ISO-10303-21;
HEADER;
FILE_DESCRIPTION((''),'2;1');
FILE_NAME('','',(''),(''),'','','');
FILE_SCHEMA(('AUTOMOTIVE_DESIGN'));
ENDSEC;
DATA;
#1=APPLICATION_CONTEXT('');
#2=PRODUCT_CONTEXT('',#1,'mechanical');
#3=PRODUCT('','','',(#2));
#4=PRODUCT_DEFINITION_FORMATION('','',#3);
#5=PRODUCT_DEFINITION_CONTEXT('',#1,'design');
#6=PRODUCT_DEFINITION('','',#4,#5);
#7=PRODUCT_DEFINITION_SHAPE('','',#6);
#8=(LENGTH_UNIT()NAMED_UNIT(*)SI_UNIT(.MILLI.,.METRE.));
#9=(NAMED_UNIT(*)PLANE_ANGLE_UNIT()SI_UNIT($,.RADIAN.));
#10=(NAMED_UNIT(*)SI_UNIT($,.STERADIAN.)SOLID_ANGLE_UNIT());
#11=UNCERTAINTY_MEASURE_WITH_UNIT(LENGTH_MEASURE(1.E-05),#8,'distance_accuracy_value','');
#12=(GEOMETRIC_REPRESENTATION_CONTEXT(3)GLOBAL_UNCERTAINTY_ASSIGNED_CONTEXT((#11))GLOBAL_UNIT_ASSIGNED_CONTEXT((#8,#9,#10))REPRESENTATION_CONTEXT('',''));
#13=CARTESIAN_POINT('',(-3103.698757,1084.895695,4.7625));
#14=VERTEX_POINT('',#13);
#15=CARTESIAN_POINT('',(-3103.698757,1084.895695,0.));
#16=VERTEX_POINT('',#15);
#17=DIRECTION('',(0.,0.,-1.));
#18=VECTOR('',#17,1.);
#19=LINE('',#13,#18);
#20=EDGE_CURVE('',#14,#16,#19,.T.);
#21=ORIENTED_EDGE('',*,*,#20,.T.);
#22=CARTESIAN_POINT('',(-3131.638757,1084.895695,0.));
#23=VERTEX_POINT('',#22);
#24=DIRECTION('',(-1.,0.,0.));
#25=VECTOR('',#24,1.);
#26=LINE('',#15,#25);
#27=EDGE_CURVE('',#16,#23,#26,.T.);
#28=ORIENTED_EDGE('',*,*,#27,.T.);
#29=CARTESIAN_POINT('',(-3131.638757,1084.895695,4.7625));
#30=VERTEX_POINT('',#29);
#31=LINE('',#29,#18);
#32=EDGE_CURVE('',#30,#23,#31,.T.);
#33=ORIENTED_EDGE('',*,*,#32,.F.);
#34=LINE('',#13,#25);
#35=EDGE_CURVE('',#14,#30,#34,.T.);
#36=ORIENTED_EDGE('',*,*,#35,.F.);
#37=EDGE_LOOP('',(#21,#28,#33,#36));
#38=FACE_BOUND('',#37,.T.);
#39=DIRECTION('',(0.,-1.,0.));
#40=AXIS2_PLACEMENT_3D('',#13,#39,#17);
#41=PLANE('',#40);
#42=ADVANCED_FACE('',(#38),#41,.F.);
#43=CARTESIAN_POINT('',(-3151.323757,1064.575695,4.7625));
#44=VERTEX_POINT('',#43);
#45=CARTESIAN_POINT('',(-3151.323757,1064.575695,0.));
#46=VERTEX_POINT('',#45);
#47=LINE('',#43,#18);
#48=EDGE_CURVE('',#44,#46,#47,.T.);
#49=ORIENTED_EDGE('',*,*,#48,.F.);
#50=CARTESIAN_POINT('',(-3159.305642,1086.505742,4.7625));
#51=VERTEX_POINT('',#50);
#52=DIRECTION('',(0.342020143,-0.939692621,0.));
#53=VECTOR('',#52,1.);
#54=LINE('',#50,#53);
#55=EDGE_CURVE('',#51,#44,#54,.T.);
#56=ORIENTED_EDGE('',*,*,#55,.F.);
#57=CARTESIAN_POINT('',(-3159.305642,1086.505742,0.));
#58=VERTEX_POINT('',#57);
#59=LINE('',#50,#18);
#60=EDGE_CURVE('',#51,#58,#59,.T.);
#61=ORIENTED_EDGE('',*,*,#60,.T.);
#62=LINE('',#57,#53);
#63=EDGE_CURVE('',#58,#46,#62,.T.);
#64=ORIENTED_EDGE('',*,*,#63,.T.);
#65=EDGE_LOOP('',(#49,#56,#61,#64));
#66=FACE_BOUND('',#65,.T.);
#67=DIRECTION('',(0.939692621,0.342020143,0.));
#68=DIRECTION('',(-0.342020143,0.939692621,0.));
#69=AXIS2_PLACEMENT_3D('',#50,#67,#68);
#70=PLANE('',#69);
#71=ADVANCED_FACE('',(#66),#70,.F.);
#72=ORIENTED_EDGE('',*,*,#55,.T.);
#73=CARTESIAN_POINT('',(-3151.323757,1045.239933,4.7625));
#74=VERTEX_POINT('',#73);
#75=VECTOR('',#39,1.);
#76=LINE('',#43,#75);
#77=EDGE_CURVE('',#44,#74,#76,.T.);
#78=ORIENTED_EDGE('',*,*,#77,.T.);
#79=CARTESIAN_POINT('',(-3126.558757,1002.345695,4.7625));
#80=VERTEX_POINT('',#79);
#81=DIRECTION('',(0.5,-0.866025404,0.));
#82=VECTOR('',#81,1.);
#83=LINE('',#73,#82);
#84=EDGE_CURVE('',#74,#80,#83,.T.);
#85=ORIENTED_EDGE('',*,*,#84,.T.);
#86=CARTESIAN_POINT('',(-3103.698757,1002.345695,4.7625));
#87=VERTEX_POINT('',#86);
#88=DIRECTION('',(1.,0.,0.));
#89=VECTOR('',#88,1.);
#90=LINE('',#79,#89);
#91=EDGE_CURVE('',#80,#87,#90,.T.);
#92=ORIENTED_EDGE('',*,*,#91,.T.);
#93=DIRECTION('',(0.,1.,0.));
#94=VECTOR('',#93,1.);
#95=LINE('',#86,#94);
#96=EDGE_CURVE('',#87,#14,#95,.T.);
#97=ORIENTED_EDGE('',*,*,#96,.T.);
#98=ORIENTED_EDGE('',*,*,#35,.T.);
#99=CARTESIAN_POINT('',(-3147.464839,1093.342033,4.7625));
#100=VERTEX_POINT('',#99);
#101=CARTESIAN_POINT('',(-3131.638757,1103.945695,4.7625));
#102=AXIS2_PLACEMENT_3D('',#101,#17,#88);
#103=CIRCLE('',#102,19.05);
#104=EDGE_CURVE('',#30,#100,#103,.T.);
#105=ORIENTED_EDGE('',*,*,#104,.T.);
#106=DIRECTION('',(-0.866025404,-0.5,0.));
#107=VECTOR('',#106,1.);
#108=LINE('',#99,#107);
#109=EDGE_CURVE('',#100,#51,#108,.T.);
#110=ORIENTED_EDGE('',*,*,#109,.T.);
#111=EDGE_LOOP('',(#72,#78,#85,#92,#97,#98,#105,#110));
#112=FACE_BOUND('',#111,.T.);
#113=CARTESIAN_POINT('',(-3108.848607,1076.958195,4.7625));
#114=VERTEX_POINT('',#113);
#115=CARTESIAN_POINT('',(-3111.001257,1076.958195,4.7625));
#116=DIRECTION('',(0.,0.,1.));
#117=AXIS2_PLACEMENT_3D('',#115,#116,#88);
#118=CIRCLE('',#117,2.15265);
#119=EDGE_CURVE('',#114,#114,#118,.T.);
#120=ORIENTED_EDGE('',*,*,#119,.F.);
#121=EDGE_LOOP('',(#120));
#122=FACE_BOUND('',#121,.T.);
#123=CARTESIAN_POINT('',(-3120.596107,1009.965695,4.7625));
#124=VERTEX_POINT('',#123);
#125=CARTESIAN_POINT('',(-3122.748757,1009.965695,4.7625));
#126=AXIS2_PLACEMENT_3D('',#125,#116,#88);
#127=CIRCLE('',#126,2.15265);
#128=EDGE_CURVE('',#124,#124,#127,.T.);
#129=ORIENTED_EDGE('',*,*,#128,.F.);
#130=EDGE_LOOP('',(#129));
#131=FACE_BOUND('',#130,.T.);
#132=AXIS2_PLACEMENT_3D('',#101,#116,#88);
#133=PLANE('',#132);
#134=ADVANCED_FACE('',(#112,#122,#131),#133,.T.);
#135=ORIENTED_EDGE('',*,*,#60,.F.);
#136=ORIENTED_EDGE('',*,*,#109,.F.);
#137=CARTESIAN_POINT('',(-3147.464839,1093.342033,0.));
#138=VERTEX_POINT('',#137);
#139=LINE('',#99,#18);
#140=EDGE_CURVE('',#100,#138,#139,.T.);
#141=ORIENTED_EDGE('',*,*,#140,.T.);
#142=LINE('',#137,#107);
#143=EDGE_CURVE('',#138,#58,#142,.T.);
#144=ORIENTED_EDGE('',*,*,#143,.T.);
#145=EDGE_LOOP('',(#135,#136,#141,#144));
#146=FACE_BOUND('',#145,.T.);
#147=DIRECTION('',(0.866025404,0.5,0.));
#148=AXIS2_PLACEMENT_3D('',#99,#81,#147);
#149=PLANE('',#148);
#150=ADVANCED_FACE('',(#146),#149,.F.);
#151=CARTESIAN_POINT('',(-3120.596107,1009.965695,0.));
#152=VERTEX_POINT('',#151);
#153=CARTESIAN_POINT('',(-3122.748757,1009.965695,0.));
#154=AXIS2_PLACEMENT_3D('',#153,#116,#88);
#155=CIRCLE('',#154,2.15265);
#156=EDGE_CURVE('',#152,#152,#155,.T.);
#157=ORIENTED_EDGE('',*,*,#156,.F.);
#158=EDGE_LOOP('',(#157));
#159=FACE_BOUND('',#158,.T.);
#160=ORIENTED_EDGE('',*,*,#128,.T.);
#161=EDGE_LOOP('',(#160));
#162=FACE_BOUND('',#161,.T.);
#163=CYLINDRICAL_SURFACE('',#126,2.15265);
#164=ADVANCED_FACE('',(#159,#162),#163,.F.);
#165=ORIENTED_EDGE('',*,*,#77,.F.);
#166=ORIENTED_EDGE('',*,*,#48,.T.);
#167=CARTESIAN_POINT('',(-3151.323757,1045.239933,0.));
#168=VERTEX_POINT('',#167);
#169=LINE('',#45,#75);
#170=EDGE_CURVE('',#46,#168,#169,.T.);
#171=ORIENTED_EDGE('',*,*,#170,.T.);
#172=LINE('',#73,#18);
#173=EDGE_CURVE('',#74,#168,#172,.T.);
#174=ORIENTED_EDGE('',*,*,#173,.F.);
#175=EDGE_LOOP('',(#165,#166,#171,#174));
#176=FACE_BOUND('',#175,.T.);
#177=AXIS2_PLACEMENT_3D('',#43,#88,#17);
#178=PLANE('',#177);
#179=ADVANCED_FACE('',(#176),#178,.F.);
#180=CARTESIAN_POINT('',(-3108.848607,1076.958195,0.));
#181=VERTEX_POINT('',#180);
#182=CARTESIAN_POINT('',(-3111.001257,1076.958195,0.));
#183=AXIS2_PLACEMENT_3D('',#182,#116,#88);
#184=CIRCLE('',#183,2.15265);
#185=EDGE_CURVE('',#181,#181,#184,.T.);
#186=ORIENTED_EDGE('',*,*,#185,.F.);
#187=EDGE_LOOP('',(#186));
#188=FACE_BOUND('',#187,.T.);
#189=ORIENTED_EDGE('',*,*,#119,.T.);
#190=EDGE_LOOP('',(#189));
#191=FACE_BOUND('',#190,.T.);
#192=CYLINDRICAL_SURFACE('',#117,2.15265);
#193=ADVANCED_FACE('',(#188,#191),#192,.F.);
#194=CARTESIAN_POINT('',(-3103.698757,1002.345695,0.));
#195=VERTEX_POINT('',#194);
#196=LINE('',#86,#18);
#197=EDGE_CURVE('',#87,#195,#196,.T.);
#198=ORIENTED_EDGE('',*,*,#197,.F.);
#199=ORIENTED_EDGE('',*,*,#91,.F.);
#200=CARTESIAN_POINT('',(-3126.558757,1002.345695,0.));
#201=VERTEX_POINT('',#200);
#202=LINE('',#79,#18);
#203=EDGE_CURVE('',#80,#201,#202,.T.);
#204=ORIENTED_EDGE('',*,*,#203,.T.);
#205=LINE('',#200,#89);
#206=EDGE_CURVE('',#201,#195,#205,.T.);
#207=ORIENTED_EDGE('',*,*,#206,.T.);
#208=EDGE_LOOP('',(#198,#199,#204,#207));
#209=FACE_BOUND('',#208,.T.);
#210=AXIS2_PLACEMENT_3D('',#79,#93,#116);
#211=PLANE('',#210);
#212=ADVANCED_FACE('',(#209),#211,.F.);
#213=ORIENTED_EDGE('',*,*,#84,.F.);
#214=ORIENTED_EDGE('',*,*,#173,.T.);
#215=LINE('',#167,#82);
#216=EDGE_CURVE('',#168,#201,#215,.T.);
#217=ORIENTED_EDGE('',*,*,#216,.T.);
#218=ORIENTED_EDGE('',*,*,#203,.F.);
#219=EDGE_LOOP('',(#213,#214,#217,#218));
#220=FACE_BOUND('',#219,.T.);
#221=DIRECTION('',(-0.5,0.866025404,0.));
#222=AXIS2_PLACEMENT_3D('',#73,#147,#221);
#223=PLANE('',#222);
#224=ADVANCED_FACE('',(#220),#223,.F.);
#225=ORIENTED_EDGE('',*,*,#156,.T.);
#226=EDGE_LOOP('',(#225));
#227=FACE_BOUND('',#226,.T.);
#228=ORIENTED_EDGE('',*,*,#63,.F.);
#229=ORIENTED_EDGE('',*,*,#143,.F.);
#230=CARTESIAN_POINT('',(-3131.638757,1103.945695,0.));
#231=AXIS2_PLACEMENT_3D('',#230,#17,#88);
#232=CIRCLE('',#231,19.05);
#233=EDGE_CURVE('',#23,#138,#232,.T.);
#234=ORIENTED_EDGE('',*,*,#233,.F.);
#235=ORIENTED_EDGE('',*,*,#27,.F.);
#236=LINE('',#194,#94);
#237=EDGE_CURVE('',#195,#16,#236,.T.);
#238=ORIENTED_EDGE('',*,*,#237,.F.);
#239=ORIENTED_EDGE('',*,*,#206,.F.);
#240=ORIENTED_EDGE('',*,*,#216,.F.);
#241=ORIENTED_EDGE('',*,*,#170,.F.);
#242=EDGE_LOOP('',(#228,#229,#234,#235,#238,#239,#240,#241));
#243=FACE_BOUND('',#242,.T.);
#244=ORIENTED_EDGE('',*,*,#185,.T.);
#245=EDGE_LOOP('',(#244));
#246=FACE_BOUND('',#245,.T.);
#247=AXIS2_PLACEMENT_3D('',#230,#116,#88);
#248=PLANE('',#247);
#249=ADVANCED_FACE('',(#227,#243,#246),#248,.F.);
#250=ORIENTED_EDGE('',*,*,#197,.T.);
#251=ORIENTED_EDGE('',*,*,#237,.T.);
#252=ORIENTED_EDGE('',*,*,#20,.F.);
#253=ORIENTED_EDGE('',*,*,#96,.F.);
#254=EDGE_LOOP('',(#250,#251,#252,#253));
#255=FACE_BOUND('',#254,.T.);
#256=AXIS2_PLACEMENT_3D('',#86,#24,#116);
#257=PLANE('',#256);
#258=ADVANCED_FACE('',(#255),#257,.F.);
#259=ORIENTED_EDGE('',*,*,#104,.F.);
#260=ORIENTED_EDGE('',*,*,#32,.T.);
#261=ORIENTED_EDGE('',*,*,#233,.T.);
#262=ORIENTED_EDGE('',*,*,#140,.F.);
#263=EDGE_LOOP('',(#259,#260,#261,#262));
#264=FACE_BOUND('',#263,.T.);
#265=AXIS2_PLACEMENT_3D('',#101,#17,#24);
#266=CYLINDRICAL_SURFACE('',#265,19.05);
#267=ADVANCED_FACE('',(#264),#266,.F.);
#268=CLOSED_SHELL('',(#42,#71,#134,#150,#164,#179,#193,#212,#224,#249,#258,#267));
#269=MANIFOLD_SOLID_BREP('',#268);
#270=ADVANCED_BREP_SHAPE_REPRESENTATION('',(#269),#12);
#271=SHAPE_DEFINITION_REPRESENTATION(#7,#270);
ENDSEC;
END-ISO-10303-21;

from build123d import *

# Parameters (mm, degrees)
BOSS_EXTRUDE1_DEPTH   = 4.7625
F_6_CLEARANCE_HOLE1_D = 4.3053


with BuildPart() as part:
    # Sketch1 → Boss-Extrude1 (new body)
    with BuildSketch(Plane.XY):
        with BuildLine():
            Line((-3103.698757178, 1002.345694712), (-3103.698757178, 1084.895694712))
            Line((-3103.698757178, 1084.895694712), (-3131.638757178, 1084.895694712))
            ThreePointArc((-3131.638757178, 1084.895694712), (-3140.608225903, 1087.139412233), (-3147.464838552, 1093.342032687))
            Line((-3147.464838552, 1093.342032687), (-3159.30564158, 1086.505741871))
            Line((-3159.30564158, 1086.505741871), (-3151.323757178, 1064.575694712))
            Line((-3151.323757178, 1064.575694712), (-3151.323757178, 1045.239932962))
            Line((-3151.323757178, 1045.239932962), (-3126.558757178, 1002.345694712))
            Line((-3126.558757178, 1002.345694712), (-3103.698757178, 1002.345694712))
        make_face()
    extrude(amount=BOSS_EXTRUDE1_DEPTH)

    # #6 Clearance Hole1 (through all)
    with Locations(Plane.XY.offset(4.7625)):
        with Locations((-3122.748757178, 1009.965694712), (-3111.001257178, 1076.958194712)):
            Hole(F_6_CLEARANCE_HOLE1_D / 2)


solid = part.part
